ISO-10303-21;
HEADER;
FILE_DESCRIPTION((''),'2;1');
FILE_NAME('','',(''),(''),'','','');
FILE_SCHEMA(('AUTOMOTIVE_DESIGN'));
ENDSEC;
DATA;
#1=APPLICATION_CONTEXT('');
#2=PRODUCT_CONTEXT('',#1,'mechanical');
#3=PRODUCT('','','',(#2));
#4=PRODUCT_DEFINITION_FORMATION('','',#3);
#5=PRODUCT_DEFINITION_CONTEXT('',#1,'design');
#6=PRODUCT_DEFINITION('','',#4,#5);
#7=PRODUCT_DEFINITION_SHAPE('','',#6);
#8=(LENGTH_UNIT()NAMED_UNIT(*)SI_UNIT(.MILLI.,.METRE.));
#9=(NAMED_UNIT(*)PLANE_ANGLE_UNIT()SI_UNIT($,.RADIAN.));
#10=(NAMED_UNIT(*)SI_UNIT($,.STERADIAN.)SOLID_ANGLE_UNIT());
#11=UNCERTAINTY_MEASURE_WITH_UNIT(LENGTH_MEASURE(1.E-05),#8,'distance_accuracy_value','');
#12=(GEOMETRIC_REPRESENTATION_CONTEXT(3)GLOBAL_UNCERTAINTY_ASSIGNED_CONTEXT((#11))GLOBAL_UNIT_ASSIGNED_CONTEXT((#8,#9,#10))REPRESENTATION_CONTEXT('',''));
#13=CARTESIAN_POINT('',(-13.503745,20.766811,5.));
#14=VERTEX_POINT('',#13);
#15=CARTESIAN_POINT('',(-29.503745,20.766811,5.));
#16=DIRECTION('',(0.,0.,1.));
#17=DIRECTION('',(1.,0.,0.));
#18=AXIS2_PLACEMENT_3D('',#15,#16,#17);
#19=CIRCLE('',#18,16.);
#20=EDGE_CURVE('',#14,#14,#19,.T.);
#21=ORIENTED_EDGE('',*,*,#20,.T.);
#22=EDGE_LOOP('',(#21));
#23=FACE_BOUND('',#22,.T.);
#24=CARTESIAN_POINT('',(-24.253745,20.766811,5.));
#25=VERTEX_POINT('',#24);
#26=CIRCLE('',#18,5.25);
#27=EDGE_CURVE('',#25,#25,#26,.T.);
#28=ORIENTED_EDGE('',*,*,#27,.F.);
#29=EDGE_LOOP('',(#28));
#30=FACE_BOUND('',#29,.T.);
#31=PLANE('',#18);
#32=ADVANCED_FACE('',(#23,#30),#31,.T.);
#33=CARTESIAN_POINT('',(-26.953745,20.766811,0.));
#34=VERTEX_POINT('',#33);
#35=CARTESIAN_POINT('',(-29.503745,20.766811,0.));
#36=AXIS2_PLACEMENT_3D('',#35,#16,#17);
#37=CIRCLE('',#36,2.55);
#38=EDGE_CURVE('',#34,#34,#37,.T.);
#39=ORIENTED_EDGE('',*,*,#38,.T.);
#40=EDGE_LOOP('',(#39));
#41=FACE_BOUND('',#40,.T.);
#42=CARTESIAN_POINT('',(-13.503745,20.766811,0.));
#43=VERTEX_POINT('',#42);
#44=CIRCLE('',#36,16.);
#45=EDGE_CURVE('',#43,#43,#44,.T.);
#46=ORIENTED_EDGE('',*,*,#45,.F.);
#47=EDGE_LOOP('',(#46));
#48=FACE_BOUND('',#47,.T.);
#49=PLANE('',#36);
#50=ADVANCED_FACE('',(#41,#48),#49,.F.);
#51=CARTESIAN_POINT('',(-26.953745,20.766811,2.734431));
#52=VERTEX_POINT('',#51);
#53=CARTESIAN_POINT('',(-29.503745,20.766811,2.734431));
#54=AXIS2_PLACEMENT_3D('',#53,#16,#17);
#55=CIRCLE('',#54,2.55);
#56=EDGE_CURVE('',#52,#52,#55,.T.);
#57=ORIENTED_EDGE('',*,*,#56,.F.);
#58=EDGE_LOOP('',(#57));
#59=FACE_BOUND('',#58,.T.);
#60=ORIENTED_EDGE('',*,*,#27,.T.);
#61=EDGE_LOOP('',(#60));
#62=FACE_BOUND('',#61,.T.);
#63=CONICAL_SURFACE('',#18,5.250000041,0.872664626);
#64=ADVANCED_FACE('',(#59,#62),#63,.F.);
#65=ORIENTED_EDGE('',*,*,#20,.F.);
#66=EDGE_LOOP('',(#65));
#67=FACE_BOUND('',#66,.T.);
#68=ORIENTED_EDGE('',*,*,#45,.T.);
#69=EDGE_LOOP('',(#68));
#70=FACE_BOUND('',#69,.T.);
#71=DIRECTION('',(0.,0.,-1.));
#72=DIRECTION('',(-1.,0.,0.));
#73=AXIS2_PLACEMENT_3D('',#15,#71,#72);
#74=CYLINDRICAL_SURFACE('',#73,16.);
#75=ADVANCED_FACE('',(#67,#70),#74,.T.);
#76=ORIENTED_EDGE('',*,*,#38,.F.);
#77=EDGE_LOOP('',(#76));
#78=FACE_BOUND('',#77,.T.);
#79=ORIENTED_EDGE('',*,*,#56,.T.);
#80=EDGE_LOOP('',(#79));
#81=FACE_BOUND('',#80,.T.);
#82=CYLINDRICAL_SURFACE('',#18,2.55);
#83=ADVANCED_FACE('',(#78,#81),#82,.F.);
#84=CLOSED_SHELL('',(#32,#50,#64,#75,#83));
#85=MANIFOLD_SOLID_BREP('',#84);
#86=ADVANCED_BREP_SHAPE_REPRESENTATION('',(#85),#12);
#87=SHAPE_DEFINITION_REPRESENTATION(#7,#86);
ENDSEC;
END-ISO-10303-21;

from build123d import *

# Parameters (mm, degrees)
SKETCH1_R                                         = 16
BOSS_EXTRUDE1_DEPTH                               = 5
CSK_FOR_1_FLAT_HEAD_MACHINE_SCREW_100_D           = 5.09999996
CSK_FOR_1_FLAT_HEAD_MACHINE_SCREW_100_CSINK_D     = 10.500000082
CSK_FOR_1_FLAT_HEAD_MACHINE_SCREW_100_CSINK_ANGLE = 100


with BuildPart() as part:
    # Sketch1 → Boss-Extrude1 (new body)
    with BuildSketch(Plane.XY):
        with Locations((-29.503745121, 20.766811092)):
            Circle(SKETCH1_R)
    extrude(amount=BOSS_EXTRUDE1_DEPTH)

    # CSK for #1 Flat Head Machine Screw (100)1 (through all)
    with Locations(Plane(origin=(-29.503745121, 20.766811092, 5), x_dir=(1, 0, 0), z_dir=(0, 0, 1))):
        with Locations((0, 0)):
            CounterSinkHole(CSK_FOR_1_FLAT_HEAD_MACHINE_SCREW_100_D / 2, CSK_FOR_1_FLAT_HEAD_MACHINE_SCREW_100_CSINK_D / 2, counter_sink_angle=CSK_FOR_1_FLAT_HEAD_MACHINE_SCREW_100_CSINK_ANGLE)


solid = part.part
